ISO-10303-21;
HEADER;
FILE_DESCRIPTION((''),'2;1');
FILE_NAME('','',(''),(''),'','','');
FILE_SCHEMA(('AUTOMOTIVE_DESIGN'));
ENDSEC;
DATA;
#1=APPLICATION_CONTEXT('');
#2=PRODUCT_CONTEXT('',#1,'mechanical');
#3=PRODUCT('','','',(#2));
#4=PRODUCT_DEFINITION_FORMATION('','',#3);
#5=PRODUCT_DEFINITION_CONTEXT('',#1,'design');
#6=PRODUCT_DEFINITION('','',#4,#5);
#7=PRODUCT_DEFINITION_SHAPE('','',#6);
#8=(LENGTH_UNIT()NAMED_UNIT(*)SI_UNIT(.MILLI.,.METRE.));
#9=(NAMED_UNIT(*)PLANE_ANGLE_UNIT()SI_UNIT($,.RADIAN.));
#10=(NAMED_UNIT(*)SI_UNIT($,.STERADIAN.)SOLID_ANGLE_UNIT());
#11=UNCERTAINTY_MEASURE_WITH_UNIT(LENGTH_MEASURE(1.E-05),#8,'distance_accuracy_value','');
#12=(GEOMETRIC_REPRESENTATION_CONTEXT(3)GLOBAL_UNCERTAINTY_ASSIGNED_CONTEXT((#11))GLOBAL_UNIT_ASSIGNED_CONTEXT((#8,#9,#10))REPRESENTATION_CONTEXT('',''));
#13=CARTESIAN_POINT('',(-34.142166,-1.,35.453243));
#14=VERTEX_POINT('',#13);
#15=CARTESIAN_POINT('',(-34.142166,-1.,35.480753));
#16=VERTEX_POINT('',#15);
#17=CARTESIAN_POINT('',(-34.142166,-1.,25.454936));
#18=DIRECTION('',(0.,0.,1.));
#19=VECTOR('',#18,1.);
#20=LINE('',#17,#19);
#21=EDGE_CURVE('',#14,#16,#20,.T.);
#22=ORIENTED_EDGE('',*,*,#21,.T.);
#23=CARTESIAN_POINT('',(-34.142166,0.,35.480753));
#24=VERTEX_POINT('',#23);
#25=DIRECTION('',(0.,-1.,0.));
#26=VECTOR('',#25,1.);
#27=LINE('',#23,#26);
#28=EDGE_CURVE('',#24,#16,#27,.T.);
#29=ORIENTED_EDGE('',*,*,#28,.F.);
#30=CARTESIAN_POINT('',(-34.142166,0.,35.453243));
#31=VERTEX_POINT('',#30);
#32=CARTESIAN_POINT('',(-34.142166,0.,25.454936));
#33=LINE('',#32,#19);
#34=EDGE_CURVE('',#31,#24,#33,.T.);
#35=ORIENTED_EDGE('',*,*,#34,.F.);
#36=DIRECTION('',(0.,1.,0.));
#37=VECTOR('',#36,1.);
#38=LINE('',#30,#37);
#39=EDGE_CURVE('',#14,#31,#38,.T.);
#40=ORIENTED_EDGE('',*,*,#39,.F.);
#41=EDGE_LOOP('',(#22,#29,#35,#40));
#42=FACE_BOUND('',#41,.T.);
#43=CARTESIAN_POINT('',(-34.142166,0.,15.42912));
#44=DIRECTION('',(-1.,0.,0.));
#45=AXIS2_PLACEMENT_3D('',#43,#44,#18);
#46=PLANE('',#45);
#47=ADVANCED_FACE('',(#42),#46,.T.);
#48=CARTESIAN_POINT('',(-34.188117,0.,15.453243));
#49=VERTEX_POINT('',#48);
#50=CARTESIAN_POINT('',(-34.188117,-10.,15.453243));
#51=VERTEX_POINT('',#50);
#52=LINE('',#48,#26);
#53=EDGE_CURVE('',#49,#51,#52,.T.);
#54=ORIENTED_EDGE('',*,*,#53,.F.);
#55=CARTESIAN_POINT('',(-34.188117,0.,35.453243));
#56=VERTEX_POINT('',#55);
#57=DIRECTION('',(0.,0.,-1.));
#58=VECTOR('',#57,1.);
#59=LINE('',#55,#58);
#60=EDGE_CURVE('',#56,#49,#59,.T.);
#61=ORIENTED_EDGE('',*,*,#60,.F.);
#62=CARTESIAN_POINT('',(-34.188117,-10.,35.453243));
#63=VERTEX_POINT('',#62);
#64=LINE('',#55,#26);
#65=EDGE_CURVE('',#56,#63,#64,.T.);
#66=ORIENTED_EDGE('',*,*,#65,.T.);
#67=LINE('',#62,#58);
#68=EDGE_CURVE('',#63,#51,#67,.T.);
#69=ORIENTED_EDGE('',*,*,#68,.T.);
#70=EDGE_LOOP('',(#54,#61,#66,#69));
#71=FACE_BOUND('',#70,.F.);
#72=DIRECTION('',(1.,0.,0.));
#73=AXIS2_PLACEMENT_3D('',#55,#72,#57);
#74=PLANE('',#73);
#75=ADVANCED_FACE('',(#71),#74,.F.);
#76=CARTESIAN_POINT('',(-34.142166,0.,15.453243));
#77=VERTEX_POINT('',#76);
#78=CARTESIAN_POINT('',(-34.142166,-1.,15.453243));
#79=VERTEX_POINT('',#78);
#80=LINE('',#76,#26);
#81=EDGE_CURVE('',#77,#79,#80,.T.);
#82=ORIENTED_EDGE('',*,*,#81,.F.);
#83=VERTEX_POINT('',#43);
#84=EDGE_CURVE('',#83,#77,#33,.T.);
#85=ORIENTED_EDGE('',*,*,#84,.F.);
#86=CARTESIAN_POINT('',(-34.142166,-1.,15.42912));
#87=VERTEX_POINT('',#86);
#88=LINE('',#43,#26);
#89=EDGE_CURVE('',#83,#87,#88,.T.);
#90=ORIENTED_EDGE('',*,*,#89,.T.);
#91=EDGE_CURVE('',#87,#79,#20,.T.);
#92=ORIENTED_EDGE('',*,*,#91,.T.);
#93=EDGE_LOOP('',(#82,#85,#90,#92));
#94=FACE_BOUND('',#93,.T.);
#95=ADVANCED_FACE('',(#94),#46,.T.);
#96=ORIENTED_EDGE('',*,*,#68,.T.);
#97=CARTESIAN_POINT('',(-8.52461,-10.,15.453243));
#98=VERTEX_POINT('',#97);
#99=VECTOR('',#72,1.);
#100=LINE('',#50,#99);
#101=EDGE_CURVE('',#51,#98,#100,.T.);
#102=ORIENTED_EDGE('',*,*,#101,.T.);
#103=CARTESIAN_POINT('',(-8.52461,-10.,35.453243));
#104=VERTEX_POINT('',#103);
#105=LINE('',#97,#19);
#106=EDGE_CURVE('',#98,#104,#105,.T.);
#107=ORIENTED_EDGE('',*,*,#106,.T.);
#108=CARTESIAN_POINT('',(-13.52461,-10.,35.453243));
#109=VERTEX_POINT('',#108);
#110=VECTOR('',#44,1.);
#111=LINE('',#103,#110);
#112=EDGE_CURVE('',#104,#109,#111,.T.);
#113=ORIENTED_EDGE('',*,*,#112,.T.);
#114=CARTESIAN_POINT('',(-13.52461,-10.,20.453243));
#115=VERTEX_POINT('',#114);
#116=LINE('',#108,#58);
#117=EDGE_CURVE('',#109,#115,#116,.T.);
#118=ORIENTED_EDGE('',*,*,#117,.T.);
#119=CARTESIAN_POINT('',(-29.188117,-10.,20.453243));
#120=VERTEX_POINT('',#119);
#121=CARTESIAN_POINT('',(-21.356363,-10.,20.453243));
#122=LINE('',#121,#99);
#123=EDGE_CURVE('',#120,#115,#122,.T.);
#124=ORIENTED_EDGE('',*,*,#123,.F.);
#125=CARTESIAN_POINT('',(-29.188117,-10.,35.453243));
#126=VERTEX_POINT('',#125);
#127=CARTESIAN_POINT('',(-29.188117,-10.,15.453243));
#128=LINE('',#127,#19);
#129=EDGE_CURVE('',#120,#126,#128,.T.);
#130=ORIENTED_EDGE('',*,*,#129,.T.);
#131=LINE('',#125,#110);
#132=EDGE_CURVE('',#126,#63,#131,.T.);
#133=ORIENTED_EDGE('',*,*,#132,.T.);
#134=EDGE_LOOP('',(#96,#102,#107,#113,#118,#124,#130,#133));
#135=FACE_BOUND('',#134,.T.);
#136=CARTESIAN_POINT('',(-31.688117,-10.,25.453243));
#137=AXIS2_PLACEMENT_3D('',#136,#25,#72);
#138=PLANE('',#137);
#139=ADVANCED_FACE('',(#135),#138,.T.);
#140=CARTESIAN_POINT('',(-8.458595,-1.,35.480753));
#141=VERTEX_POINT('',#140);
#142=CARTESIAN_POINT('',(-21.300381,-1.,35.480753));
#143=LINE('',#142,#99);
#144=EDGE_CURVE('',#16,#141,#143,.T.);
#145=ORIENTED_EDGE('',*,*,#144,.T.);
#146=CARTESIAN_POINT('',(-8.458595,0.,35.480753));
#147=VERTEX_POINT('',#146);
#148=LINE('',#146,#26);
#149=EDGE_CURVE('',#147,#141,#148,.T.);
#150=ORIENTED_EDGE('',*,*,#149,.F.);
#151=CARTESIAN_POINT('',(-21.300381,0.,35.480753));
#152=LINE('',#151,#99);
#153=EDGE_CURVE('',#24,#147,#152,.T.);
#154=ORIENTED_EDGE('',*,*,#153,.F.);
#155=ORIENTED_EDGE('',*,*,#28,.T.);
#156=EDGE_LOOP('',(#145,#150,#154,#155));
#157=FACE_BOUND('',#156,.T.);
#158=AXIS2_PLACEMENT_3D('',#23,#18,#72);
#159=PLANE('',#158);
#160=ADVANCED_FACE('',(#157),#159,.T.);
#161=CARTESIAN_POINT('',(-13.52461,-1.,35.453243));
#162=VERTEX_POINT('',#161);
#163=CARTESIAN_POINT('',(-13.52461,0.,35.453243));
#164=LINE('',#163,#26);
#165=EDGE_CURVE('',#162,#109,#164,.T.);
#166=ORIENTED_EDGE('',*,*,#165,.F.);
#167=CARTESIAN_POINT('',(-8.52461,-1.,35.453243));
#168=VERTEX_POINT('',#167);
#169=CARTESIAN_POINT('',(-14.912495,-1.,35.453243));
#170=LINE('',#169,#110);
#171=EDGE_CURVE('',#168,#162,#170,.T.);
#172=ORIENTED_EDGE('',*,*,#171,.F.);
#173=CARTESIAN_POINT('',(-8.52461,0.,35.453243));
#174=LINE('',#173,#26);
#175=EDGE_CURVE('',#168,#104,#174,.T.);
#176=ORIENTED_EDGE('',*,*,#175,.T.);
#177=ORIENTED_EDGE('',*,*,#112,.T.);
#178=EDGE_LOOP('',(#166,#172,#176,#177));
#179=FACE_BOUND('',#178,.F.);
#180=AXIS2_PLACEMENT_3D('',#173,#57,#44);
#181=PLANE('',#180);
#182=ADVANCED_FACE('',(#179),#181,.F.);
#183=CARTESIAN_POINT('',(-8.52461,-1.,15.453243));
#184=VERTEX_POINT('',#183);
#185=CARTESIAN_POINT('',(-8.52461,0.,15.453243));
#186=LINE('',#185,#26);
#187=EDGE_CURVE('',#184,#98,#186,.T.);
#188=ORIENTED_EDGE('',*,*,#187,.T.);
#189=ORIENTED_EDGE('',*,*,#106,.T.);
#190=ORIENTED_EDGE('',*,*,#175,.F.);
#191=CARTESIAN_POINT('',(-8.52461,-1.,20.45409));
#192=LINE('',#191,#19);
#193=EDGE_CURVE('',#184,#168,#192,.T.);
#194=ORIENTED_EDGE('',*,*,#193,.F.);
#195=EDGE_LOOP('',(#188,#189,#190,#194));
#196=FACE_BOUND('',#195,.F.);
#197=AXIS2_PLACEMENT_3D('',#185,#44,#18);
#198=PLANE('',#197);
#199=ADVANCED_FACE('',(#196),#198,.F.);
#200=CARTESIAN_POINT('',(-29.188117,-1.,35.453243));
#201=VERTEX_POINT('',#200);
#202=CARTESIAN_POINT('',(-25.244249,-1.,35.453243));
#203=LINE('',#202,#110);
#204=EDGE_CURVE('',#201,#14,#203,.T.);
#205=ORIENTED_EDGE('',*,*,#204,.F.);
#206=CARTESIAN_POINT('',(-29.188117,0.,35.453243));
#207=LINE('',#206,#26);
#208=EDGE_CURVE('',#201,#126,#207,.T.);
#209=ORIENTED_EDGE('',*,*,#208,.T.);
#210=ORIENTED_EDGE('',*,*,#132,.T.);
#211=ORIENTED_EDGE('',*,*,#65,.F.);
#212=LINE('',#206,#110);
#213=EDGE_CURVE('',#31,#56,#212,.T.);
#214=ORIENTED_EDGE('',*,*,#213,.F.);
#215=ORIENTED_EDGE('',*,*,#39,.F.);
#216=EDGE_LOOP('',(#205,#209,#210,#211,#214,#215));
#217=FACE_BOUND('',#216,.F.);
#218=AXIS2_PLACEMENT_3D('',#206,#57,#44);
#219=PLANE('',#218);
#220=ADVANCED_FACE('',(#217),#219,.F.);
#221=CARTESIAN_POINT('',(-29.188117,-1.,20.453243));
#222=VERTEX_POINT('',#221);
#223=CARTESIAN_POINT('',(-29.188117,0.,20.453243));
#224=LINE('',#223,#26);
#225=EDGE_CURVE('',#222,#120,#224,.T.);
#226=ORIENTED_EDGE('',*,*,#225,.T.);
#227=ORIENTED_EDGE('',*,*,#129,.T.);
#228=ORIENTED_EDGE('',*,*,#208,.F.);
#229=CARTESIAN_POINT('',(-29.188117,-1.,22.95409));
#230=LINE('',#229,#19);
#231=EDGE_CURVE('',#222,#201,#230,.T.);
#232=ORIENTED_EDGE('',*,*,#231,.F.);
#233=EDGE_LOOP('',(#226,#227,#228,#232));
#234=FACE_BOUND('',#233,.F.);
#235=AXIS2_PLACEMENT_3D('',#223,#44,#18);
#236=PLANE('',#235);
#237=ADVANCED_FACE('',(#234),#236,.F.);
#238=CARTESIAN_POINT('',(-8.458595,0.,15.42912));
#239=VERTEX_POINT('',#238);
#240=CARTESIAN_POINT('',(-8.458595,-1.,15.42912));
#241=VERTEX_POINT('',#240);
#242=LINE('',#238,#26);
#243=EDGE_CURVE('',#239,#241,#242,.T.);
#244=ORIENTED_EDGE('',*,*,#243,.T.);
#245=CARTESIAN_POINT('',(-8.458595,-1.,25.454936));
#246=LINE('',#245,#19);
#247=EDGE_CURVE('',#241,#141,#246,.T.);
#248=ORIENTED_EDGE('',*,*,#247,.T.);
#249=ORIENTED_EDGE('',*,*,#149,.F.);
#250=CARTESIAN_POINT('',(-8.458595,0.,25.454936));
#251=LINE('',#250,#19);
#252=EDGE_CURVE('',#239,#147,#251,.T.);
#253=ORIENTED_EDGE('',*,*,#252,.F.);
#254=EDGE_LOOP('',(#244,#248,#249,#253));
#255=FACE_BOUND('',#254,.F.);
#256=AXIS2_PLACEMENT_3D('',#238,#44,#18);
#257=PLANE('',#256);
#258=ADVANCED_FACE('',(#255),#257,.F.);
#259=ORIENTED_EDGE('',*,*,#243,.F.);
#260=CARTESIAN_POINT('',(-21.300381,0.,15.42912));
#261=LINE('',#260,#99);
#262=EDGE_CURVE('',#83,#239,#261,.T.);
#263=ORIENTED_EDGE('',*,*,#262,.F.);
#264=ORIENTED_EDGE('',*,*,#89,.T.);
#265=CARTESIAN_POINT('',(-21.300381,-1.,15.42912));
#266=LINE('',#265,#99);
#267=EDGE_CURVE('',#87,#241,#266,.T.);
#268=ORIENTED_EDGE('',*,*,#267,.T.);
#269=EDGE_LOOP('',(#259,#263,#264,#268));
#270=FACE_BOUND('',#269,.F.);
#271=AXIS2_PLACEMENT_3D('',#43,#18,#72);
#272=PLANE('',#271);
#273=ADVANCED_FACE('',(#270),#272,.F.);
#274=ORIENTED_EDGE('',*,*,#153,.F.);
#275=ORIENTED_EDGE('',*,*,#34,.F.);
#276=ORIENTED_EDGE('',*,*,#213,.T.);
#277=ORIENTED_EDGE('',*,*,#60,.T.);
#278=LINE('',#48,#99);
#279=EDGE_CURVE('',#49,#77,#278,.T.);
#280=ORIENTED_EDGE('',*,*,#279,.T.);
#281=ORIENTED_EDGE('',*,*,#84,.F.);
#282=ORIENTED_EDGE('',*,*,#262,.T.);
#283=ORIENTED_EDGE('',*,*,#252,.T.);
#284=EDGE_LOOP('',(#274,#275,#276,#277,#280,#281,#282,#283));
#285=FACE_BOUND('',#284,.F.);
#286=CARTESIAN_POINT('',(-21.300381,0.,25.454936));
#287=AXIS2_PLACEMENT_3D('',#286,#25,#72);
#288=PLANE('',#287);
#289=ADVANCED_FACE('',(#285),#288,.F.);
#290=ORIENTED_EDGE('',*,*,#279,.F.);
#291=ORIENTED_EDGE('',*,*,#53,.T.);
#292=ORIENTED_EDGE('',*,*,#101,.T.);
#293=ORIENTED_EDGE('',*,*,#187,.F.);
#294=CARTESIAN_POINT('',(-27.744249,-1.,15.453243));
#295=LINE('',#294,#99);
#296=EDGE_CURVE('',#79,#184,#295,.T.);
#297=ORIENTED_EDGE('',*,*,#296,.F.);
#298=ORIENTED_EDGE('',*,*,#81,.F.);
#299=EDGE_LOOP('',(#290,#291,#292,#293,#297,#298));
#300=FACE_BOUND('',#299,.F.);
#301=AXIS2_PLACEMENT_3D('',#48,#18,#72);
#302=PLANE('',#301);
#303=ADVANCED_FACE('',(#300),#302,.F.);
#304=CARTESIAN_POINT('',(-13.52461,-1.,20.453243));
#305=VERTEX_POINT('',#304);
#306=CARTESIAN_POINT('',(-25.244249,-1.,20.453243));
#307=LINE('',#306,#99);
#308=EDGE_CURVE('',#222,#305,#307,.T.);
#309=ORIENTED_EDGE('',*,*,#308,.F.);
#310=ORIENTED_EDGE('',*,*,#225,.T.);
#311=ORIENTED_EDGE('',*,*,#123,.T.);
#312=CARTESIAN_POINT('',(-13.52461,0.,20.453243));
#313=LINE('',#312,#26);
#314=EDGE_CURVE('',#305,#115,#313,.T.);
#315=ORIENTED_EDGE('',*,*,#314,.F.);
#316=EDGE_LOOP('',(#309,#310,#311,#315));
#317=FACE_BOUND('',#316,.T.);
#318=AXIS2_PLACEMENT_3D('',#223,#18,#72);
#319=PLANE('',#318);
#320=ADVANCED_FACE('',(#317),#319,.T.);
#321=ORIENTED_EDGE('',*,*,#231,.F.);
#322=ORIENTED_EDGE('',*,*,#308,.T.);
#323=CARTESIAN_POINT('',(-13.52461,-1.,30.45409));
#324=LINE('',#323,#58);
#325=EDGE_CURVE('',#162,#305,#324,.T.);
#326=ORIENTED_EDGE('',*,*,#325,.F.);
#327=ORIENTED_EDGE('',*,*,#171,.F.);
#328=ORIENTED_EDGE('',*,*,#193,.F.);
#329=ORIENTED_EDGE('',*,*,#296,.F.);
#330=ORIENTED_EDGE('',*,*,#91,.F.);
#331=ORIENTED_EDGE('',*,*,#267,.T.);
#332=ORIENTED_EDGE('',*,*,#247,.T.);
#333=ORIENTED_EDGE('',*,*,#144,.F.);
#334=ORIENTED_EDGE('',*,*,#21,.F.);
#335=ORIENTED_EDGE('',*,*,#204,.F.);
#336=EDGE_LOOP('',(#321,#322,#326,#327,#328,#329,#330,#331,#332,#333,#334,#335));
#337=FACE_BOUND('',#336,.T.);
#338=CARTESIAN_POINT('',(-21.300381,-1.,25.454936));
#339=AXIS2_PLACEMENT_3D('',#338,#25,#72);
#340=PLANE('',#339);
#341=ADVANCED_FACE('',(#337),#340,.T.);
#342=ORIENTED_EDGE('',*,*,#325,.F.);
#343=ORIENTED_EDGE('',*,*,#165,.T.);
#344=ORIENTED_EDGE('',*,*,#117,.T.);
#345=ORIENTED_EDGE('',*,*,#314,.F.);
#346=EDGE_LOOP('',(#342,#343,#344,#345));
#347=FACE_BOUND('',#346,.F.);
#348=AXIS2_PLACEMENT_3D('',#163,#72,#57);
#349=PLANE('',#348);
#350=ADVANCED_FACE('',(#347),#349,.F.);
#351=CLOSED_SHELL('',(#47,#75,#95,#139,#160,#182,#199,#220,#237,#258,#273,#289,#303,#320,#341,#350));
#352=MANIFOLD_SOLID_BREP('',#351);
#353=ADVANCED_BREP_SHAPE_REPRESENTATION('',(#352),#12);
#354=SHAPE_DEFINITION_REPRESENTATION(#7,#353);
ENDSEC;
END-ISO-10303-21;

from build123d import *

# Parameters (mm, degrees)
F0_W     = 15.6635074461
F0_H     = 5
F1_DEPTH = 10
F2_W     = 25.6835715845
F2_H     = 20.0516330078
F3_DEPTH = 1


with BuildPart() as f1:
    # F0 (on Front) → F1 (new body)
    with BuildSketch(Plane.XZ):
        Polygon((-29.1881171715, 35.4532431718), (-34.1881171715, 35.4532431718), (-34.1881171715, 15.4532431718), (-29.1881171715, 15.4532431718), (-29.1881171715, 20.4532431718), align=None)
        with Locations((-21.3563634484, 17.9532431718)):
            Rectangle(F0_W, F0_H)
        Polygon((-13.5246097253, 35.4532431718), (-13.5246097253, 20.4532431718), (-13.5246097253, 15.4532431718), (-8.5246097253, 15.4532431718), (-8.5246097253, 35.4532431718), align=None)
    extrude(amount=F1_DEPTH)

    # F2 (on Front) → F3 (join)
    with BuildSketch(Plane.XZ):
        with Locations((-21.3003805839, 25.4549360834)):
            Rectangle(F2_W, F2_H)
    extrude(amount=F3_DEPTH)


solid = f1.part
